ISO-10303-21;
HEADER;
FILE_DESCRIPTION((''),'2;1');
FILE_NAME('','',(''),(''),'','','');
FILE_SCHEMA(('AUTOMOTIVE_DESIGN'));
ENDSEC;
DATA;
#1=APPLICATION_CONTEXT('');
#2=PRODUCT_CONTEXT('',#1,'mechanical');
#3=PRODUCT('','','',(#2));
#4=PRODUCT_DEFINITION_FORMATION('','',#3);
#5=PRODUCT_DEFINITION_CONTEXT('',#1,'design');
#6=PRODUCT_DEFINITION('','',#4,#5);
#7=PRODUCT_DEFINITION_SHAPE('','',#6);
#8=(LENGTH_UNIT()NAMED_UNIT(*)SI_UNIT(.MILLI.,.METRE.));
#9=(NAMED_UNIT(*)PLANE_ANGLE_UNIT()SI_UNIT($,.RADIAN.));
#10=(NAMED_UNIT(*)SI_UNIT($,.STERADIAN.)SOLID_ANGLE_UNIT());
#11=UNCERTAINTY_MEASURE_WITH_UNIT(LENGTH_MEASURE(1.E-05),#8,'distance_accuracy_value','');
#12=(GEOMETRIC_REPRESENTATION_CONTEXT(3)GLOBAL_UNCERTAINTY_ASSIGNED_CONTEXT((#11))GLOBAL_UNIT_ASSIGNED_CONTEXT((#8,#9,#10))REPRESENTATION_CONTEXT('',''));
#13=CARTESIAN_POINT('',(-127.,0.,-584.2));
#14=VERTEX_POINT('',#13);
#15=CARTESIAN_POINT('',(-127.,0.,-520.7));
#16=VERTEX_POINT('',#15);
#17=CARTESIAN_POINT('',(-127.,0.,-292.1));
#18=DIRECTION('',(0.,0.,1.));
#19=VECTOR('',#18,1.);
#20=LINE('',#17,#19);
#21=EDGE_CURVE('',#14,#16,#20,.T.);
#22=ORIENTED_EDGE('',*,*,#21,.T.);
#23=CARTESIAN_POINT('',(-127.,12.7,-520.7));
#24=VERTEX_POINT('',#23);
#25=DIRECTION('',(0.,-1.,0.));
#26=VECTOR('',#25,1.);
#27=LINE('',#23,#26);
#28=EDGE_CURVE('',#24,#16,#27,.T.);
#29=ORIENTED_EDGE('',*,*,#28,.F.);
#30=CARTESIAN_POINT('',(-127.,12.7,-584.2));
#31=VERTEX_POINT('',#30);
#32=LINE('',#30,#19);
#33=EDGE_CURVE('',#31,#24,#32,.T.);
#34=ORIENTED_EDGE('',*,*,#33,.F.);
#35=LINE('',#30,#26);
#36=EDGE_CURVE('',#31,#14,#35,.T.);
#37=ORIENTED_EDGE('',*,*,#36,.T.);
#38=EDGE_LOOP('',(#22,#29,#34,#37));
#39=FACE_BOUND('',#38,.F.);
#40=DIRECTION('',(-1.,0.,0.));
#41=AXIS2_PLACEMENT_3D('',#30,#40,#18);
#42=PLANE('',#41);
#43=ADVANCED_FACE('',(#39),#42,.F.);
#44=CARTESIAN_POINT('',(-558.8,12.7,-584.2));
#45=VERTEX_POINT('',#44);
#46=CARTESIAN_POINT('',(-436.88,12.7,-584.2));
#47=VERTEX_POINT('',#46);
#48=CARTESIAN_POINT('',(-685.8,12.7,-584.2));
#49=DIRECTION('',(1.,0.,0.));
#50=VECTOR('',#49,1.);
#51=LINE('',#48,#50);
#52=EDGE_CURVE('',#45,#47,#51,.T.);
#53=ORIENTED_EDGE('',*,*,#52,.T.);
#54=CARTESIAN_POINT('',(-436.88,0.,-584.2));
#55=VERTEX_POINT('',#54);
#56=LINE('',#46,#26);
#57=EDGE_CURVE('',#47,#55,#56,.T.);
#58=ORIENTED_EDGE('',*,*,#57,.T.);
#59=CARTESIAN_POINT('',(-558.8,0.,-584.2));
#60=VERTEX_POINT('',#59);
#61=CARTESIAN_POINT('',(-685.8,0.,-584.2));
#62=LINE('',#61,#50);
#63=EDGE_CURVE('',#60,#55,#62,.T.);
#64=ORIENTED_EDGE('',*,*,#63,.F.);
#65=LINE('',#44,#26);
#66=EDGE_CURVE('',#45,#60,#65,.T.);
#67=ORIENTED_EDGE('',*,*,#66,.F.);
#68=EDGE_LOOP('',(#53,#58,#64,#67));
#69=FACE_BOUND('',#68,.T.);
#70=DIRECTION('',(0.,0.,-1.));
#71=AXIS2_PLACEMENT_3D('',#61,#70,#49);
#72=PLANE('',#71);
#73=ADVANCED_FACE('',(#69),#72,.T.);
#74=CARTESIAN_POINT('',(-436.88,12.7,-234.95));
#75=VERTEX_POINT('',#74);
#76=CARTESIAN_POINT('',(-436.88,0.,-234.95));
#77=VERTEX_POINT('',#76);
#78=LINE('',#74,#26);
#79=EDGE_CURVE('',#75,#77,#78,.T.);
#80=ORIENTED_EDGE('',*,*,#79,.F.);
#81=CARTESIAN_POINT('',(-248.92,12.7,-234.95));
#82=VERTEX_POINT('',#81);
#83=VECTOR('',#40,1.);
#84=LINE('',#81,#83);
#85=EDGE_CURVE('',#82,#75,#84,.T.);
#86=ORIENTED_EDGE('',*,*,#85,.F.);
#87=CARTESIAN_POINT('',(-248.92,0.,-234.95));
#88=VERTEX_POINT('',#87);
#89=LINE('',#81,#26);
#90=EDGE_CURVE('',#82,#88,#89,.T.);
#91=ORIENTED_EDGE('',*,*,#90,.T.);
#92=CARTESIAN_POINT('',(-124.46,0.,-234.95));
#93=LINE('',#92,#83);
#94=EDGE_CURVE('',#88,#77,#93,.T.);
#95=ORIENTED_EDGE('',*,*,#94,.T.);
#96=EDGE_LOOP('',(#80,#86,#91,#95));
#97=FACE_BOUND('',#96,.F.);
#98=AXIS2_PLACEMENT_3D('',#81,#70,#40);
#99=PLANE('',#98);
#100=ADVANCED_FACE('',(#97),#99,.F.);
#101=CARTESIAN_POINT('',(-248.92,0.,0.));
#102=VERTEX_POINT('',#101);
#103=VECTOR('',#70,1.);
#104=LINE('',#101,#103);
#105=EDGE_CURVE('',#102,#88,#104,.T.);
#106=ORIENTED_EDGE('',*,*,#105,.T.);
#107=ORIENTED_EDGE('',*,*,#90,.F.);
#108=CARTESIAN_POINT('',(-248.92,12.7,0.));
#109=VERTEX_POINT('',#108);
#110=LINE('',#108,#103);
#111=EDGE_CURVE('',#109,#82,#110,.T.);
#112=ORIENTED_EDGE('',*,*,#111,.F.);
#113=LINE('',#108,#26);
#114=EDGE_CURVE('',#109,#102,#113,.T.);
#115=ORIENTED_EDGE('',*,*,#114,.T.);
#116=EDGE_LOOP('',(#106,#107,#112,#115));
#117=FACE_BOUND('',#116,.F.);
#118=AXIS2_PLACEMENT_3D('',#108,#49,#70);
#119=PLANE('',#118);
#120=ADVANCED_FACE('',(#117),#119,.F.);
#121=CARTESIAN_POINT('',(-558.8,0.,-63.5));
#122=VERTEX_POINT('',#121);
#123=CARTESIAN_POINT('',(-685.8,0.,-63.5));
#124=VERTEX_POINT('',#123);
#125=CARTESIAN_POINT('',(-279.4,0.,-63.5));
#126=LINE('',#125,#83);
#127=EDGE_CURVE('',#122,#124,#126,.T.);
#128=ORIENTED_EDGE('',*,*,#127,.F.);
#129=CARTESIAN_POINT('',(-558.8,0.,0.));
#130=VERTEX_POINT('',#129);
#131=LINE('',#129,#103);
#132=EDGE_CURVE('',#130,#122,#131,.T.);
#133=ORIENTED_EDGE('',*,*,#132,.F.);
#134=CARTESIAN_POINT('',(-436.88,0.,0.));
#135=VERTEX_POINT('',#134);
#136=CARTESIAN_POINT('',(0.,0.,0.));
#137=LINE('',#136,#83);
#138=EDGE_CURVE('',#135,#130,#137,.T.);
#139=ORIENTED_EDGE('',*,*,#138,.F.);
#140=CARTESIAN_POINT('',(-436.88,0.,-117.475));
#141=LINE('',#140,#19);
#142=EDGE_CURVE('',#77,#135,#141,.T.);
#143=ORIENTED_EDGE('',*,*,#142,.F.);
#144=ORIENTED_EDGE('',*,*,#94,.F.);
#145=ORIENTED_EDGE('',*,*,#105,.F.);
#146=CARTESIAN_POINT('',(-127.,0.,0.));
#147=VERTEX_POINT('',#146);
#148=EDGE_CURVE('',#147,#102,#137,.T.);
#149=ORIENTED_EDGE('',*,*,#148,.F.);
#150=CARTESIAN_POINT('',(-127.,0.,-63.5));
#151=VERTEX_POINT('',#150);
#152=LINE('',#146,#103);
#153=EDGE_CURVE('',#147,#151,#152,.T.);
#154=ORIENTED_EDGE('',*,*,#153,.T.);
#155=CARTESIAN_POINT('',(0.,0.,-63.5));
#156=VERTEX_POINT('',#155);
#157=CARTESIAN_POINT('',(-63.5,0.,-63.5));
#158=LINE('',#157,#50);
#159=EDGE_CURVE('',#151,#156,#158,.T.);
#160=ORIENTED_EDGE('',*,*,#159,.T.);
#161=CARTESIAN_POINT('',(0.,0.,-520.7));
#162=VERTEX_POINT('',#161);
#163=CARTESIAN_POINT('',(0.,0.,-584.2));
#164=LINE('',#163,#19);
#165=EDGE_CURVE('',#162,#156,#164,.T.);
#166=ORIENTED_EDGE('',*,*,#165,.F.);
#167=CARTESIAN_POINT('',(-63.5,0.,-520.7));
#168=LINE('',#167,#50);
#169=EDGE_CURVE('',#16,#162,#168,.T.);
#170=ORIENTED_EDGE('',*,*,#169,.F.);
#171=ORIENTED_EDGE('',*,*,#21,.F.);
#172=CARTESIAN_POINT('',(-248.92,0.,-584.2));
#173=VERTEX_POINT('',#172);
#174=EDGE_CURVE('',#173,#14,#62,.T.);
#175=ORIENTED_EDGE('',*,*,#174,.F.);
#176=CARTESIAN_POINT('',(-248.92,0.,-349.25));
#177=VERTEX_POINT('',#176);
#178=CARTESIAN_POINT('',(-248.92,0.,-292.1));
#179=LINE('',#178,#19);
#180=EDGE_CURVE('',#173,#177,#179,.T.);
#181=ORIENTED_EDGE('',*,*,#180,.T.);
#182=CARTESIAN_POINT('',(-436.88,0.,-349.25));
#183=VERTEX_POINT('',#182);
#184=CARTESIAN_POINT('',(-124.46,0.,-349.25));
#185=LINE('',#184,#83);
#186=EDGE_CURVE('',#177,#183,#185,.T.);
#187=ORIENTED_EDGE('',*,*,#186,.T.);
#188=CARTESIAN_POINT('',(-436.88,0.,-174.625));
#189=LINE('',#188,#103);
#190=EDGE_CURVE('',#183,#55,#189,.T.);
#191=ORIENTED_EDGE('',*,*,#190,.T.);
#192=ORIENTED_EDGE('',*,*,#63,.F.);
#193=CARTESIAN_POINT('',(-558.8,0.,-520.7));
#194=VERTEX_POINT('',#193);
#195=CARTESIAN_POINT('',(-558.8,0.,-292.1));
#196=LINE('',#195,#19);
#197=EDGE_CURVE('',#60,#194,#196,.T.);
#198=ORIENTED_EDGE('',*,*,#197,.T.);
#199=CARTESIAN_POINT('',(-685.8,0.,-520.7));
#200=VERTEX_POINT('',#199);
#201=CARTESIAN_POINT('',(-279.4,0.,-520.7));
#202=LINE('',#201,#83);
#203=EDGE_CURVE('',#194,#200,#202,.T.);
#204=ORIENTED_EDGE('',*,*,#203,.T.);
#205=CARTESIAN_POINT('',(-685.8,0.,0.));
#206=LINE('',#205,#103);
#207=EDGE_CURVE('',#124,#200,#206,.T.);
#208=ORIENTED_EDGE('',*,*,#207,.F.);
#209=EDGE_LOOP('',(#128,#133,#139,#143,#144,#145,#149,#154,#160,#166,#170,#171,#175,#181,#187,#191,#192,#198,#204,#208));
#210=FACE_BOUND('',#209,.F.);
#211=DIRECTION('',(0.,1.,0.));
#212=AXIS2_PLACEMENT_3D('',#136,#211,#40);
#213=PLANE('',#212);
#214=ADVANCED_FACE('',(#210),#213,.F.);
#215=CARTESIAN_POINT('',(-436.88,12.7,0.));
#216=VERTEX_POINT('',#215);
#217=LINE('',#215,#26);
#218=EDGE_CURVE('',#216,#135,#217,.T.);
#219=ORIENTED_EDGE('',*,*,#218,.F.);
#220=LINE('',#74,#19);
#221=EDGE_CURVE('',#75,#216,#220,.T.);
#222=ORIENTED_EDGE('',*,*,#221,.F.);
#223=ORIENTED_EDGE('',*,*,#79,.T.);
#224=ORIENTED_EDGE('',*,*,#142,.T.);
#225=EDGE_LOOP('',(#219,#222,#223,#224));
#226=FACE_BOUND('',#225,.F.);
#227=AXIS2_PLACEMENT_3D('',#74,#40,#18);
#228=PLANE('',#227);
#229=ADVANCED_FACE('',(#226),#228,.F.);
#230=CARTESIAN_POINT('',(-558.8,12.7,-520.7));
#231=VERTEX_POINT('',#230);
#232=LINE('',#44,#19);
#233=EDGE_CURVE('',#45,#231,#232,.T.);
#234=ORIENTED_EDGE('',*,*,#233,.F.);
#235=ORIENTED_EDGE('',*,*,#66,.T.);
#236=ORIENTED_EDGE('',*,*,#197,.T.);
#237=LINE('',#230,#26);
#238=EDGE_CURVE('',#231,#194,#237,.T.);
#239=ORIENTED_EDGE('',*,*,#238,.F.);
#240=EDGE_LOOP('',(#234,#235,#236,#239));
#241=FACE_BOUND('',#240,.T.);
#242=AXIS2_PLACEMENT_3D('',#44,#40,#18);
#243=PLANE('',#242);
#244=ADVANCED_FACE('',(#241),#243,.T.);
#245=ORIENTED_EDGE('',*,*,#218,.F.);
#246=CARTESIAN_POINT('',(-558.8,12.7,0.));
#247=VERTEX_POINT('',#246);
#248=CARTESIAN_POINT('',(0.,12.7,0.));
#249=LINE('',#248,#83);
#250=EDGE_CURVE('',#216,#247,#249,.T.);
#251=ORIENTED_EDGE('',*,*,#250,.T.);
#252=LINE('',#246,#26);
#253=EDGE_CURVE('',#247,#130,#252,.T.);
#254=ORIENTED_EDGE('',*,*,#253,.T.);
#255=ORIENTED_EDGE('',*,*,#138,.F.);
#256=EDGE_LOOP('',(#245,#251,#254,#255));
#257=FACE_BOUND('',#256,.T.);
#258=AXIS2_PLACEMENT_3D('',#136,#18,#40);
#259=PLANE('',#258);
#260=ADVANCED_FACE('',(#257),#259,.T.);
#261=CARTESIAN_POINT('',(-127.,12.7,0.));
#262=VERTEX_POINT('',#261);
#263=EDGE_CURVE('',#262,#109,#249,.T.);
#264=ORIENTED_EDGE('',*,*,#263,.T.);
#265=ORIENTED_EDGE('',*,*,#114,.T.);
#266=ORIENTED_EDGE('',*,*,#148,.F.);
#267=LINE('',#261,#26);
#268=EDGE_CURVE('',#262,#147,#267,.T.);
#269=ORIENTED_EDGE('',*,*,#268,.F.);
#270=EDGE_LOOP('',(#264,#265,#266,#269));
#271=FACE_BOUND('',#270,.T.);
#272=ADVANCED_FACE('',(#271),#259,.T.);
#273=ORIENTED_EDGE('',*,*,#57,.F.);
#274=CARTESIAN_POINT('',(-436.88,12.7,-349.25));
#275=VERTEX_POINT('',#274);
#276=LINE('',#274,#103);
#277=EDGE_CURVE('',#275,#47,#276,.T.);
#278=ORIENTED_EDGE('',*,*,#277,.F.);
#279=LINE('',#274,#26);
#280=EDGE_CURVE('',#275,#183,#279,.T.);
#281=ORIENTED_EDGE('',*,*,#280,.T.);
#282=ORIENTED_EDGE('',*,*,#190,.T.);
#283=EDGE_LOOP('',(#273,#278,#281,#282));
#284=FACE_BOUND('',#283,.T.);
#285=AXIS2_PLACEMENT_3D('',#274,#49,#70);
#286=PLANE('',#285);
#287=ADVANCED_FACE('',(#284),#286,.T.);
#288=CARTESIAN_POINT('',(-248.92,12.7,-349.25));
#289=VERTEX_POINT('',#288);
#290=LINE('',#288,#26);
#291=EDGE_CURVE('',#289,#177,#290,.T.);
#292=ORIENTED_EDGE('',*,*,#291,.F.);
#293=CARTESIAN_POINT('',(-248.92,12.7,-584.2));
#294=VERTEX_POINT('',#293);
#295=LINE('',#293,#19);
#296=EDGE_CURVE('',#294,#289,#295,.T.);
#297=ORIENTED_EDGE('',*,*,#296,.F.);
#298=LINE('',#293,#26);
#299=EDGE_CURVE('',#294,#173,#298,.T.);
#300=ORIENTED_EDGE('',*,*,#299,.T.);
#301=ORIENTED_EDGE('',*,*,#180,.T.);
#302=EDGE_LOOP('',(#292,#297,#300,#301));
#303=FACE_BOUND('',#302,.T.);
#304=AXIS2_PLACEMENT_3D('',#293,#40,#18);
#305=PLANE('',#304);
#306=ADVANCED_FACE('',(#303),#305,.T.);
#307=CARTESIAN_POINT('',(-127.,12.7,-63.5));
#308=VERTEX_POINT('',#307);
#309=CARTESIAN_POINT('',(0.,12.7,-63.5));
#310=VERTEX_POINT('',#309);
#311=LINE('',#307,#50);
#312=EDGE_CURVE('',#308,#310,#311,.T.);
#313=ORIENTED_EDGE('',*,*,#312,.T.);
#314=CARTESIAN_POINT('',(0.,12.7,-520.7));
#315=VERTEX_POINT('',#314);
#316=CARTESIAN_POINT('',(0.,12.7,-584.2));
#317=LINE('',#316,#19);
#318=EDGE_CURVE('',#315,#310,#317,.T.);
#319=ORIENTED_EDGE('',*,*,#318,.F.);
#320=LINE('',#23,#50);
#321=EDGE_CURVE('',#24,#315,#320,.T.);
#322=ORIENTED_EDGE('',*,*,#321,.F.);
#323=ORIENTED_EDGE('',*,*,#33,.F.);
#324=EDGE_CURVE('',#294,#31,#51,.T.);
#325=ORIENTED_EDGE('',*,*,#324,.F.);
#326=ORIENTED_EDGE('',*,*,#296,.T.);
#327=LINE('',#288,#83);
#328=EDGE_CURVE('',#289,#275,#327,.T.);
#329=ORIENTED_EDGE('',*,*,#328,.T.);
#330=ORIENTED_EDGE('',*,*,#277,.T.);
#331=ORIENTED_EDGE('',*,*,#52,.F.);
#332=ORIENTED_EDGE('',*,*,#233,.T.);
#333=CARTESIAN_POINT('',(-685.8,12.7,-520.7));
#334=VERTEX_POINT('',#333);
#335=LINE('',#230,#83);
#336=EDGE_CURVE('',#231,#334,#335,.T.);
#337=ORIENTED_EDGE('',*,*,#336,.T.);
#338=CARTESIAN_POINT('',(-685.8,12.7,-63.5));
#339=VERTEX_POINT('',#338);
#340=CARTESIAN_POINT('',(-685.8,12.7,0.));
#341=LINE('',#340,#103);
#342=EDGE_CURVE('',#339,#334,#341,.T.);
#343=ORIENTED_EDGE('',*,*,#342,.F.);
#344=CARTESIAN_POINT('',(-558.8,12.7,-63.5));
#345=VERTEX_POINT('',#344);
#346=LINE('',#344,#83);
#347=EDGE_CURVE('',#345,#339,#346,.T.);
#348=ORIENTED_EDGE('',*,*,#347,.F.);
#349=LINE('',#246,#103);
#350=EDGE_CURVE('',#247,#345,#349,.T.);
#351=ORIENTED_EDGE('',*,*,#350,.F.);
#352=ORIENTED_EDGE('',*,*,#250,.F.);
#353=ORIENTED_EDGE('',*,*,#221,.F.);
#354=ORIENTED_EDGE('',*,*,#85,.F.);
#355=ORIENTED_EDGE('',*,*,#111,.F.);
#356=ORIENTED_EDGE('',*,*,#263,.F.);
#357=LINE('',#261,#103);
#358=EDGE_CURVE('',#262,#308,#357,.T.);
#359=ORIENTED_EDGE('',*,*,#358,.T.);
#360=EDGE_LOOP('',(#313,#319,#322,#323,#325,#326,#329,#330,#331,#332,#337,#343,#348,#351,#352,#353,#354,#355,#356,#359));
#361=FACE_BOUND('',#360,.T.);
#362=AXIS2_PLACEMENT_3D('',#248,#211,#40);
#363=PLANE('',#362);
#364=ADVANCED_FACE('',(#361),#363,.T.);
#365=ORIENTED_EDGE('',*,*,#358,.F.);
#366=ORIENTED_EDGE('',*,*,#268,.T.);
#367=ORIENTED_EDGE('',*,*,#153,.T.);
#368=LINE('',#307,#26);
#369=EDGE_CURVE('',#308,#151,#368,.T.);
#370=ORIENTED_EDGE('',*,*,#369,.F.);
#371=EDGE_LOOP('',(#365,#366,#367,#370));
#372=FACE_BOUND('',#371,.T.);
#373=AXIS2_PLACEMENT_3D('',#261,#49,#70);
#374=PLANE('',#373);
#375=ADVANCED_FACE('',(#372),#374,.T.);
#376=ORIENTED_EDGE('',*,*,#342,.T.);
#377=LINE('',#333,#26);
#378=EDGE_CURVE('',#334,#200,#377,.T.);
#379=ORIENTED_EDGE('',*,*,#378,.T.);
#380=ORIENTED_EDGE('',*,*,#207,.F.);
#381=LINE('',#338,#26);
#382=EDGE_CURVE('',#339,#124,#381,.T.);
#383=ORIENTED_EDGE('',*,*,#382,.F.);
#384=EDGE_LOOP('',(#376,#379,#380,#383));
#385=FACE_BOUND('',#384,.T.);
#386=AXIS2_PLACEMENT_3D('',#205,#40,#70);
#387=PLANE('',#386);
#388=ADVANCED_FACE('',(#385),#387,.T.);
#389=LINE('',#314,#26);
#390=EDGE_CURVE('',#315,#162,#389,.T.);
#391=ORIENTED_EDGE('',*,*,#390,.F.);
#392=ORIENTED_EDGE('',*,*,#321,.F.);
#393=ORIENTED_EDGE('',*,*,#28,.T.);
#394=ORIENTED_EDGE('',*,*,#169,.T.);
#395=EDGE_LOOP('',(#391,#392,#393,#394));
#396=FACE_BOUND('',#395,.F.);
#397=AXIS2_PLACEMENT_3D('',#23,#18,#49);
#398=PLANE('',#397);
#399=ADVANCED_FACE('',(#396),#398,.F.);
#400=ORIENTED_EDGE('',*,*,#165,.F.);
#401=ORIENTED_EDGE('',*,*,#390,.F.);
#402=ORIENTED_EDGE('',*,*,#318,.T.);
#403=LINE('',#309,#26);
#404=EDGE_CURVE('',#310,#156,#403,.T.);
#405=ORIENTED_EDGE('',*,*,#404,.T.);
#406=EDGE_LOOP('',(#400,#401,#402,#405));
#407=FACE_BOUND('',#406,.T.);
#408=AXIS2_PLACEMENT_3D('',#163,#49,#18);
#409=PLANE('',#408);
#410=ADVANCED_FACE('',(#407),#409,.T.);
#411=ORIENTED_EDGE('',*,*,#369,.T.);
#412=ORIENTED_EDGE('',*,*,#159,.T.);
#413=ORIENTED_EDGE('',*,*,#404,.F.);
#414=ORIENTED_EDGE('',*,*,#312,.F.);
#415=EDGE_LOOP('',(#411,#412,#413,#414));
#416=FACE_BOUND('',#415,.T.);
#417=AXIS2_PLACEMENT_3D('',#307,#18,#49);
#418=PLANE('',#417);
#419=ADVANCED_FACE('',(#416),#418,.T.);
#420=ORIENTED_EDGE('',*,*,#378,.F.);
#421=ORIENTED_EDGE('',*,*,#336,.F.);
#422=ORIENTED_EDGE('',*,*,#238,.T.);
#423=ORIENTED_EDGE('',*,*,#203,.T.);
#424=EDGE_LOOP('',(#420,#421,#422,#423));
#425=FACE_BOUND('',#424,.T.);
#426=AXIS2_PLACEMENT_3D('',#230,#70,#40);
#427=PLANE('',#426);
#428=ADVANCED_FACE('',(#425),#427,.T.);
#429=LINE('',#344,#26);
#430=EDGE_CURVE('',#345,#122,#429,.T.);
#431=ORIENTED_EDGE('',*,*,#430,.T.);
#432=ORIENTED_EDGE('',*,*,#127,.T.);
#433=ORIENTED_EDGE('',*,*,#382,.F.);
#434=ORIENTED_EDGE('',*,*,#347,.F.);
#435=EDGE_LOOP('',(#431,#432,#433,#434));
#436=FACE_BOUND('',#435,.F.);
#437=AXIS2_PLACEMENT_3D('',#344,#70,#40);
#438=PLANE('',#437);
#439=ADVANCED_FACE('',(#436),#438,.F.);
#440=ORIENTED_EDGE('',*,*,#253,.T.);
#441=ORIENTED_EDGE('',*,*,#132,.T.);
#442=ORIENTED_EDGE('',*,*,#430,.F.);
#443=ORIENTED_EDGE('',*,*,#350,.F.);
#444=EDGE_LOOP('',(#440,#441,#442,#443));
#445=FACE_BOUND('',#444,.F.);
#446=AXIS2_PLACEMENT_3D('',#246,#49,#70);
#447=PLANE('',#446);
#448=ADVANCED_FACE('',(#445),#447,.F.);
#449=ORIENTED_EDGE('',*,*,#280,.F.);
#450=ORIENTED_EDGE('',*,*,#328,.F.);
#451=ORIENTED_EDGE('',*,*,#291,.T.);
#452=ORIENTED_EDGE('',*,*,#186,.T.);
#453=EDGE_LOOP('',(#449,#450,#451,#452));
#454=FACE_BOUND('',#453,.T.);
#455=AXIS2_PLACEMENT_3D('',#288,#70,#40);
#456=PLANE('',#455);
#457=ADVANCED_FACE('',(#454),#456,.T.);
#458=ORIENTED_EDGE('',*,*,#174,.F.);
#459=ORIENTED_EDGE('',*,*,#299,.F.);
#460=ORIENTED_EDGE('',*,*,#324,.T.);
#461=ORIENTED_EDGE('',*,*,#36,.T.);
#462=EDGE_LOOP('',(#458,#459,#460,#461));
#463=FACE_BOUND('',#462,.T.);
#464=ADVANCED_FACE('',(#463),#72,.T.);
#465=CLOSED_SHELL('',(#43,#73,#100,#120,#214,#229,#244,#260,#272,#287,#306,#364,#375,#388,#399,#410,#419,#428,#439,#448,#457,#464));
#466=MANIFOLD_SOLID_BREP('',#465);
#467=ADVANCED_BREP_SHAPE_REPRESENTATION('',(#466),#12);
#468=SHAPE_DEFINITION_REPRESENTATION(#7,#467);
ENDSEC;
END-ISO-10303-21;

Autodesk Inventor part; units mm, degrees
ref_plane "YZ Plane" through (0, 0, 0) normal (1, 0, 0) x (0, 1, 0)
ref_plane "XZ Plane" through (0, 0, 0) normal (0, 1, 0) x (-1, 0, 0)
ref_plane "XY Plane" through (0, 0, 0) normal (0, 0, 1) x (1, 0, 0)
sketch "Sketch1" plane through (0, 0, 0) normal (0, 1, 0) x (-1, 0, 0)
  line L0 (0, 0) -> (685.8, 0)
  line L1 (685.8, 0) -> (685.8, -584.2)
  line L2 (685.8, -584.2) -> (0, -584.2)
  line L3 (0, -584.2) -> (0, 0)
  dimension "d0" = 685.8
  dimension "d1" = 584.2
extrude "Extrusion1" add sketch "Sketch1" along normal blind 12.7
sketch "Sketch2" plane through (0, 12.7, 0) normal (0, 1, 0) x (1, 0, 0)
  line L0 (-436.88, 0) -> (-248.92, 0)
  line L1 (-248.92, 0) -> (-248.92, 234.95)
  line L2 (-248.92, 234.95) -> (-436.88, 234.95)
  line L3 (-436.88, 234.95) -> (-436.88, 0)
  line L4 (0, 584.2) -> (-685.8, 584.2) projected
  line L5 (-436.88, 584.2) -> (-248.92, 584.2)
  line L6 (-248.92, 584.2) -> (-248.92, 349.25)
  line L7 (-248.92, 349.25) -> (-436.88, 349.25)
  line L8 (-436.88, 349.25) -> (-436.88, 584.2)
  line L9 (-685.8, 0) -> (0, 0) projected
  line L10 (-436.88, 349.25) -> (-436.88, 234.95) construction
  line L11 (-685.8, 584.2) -> (-685.8, 0) construction
  point P0 (-342.9, 0)
  point P1 (-342.9, 0)
  point P2 (-342.9, 0)
  point P3 (-342.9, 584.2)
  point P4 (-342.9, 584.2)
  point P5 (-436.88, 292.1)
  point P6 (-685.8, 292.1)
  dimension "d4" = 187.96
  dimension "d6" = 187.96
  dimension "d10" = 114.3
extrude "Extrusion2" cut sketch "Sketch2" against normal through all
sketch "Sketch3" plane through (0, 12.7, 0) normal (0, 1, 0) x (1, 0, 0)
  line L0 (0, 0) -> (0, 584.2) projected
  line L1 (0, 0) -> (-127, 0)
  line L2 (-127, 0) -> (-127, 63.5)
  line L3 (-127, 63.5) -> (0, 63.5)
  line L4 (0, 63.5) -> (0, 0)
  line L5 (0, 584.2) -> (-127, 584.2)
  line L6 (-127, 584.2) -> (-127, 520.7)
  line L7 (-127, 520.7) -> (0, 520.7)
  line L8 (0, 520.7) -> (0, 584.2)
  line L9 (-685.8, 584.2) -> (-558.8, 584.2)
  line L10 (-558.8, 584.2) -> (-558.8, 520.7)
  line L11 (-558.8, 520.7) -> (-685.8, 520.7)
  line L12 (-685.8, 520.7) -> (-685.8, 584.2)
  line L13 (-685.8, 0) -> (-558.8, 0)
  line L14 (-558.8, 0) -> (-558.8, 63.5)
  line L15 (-558.8, 63.5) -> (-685.8, 63.5)
  line L16 (-685.8, 63.5) -> (-685.8, 0)
  dimension "d11" = 127
  dimension "d12" = 63.5
  dimension "d13" = 127
  dimension "d14" = 63.5
  dimension "d15" = 127
  dimension "d16" = 63.5
  dimension "d17" = 127
  dimension "d18" = 63.5
extrude "Extrusion3" cut sketch "Sketch3" against normal through all
properties part number "base board" material "Wood (Birch)"
